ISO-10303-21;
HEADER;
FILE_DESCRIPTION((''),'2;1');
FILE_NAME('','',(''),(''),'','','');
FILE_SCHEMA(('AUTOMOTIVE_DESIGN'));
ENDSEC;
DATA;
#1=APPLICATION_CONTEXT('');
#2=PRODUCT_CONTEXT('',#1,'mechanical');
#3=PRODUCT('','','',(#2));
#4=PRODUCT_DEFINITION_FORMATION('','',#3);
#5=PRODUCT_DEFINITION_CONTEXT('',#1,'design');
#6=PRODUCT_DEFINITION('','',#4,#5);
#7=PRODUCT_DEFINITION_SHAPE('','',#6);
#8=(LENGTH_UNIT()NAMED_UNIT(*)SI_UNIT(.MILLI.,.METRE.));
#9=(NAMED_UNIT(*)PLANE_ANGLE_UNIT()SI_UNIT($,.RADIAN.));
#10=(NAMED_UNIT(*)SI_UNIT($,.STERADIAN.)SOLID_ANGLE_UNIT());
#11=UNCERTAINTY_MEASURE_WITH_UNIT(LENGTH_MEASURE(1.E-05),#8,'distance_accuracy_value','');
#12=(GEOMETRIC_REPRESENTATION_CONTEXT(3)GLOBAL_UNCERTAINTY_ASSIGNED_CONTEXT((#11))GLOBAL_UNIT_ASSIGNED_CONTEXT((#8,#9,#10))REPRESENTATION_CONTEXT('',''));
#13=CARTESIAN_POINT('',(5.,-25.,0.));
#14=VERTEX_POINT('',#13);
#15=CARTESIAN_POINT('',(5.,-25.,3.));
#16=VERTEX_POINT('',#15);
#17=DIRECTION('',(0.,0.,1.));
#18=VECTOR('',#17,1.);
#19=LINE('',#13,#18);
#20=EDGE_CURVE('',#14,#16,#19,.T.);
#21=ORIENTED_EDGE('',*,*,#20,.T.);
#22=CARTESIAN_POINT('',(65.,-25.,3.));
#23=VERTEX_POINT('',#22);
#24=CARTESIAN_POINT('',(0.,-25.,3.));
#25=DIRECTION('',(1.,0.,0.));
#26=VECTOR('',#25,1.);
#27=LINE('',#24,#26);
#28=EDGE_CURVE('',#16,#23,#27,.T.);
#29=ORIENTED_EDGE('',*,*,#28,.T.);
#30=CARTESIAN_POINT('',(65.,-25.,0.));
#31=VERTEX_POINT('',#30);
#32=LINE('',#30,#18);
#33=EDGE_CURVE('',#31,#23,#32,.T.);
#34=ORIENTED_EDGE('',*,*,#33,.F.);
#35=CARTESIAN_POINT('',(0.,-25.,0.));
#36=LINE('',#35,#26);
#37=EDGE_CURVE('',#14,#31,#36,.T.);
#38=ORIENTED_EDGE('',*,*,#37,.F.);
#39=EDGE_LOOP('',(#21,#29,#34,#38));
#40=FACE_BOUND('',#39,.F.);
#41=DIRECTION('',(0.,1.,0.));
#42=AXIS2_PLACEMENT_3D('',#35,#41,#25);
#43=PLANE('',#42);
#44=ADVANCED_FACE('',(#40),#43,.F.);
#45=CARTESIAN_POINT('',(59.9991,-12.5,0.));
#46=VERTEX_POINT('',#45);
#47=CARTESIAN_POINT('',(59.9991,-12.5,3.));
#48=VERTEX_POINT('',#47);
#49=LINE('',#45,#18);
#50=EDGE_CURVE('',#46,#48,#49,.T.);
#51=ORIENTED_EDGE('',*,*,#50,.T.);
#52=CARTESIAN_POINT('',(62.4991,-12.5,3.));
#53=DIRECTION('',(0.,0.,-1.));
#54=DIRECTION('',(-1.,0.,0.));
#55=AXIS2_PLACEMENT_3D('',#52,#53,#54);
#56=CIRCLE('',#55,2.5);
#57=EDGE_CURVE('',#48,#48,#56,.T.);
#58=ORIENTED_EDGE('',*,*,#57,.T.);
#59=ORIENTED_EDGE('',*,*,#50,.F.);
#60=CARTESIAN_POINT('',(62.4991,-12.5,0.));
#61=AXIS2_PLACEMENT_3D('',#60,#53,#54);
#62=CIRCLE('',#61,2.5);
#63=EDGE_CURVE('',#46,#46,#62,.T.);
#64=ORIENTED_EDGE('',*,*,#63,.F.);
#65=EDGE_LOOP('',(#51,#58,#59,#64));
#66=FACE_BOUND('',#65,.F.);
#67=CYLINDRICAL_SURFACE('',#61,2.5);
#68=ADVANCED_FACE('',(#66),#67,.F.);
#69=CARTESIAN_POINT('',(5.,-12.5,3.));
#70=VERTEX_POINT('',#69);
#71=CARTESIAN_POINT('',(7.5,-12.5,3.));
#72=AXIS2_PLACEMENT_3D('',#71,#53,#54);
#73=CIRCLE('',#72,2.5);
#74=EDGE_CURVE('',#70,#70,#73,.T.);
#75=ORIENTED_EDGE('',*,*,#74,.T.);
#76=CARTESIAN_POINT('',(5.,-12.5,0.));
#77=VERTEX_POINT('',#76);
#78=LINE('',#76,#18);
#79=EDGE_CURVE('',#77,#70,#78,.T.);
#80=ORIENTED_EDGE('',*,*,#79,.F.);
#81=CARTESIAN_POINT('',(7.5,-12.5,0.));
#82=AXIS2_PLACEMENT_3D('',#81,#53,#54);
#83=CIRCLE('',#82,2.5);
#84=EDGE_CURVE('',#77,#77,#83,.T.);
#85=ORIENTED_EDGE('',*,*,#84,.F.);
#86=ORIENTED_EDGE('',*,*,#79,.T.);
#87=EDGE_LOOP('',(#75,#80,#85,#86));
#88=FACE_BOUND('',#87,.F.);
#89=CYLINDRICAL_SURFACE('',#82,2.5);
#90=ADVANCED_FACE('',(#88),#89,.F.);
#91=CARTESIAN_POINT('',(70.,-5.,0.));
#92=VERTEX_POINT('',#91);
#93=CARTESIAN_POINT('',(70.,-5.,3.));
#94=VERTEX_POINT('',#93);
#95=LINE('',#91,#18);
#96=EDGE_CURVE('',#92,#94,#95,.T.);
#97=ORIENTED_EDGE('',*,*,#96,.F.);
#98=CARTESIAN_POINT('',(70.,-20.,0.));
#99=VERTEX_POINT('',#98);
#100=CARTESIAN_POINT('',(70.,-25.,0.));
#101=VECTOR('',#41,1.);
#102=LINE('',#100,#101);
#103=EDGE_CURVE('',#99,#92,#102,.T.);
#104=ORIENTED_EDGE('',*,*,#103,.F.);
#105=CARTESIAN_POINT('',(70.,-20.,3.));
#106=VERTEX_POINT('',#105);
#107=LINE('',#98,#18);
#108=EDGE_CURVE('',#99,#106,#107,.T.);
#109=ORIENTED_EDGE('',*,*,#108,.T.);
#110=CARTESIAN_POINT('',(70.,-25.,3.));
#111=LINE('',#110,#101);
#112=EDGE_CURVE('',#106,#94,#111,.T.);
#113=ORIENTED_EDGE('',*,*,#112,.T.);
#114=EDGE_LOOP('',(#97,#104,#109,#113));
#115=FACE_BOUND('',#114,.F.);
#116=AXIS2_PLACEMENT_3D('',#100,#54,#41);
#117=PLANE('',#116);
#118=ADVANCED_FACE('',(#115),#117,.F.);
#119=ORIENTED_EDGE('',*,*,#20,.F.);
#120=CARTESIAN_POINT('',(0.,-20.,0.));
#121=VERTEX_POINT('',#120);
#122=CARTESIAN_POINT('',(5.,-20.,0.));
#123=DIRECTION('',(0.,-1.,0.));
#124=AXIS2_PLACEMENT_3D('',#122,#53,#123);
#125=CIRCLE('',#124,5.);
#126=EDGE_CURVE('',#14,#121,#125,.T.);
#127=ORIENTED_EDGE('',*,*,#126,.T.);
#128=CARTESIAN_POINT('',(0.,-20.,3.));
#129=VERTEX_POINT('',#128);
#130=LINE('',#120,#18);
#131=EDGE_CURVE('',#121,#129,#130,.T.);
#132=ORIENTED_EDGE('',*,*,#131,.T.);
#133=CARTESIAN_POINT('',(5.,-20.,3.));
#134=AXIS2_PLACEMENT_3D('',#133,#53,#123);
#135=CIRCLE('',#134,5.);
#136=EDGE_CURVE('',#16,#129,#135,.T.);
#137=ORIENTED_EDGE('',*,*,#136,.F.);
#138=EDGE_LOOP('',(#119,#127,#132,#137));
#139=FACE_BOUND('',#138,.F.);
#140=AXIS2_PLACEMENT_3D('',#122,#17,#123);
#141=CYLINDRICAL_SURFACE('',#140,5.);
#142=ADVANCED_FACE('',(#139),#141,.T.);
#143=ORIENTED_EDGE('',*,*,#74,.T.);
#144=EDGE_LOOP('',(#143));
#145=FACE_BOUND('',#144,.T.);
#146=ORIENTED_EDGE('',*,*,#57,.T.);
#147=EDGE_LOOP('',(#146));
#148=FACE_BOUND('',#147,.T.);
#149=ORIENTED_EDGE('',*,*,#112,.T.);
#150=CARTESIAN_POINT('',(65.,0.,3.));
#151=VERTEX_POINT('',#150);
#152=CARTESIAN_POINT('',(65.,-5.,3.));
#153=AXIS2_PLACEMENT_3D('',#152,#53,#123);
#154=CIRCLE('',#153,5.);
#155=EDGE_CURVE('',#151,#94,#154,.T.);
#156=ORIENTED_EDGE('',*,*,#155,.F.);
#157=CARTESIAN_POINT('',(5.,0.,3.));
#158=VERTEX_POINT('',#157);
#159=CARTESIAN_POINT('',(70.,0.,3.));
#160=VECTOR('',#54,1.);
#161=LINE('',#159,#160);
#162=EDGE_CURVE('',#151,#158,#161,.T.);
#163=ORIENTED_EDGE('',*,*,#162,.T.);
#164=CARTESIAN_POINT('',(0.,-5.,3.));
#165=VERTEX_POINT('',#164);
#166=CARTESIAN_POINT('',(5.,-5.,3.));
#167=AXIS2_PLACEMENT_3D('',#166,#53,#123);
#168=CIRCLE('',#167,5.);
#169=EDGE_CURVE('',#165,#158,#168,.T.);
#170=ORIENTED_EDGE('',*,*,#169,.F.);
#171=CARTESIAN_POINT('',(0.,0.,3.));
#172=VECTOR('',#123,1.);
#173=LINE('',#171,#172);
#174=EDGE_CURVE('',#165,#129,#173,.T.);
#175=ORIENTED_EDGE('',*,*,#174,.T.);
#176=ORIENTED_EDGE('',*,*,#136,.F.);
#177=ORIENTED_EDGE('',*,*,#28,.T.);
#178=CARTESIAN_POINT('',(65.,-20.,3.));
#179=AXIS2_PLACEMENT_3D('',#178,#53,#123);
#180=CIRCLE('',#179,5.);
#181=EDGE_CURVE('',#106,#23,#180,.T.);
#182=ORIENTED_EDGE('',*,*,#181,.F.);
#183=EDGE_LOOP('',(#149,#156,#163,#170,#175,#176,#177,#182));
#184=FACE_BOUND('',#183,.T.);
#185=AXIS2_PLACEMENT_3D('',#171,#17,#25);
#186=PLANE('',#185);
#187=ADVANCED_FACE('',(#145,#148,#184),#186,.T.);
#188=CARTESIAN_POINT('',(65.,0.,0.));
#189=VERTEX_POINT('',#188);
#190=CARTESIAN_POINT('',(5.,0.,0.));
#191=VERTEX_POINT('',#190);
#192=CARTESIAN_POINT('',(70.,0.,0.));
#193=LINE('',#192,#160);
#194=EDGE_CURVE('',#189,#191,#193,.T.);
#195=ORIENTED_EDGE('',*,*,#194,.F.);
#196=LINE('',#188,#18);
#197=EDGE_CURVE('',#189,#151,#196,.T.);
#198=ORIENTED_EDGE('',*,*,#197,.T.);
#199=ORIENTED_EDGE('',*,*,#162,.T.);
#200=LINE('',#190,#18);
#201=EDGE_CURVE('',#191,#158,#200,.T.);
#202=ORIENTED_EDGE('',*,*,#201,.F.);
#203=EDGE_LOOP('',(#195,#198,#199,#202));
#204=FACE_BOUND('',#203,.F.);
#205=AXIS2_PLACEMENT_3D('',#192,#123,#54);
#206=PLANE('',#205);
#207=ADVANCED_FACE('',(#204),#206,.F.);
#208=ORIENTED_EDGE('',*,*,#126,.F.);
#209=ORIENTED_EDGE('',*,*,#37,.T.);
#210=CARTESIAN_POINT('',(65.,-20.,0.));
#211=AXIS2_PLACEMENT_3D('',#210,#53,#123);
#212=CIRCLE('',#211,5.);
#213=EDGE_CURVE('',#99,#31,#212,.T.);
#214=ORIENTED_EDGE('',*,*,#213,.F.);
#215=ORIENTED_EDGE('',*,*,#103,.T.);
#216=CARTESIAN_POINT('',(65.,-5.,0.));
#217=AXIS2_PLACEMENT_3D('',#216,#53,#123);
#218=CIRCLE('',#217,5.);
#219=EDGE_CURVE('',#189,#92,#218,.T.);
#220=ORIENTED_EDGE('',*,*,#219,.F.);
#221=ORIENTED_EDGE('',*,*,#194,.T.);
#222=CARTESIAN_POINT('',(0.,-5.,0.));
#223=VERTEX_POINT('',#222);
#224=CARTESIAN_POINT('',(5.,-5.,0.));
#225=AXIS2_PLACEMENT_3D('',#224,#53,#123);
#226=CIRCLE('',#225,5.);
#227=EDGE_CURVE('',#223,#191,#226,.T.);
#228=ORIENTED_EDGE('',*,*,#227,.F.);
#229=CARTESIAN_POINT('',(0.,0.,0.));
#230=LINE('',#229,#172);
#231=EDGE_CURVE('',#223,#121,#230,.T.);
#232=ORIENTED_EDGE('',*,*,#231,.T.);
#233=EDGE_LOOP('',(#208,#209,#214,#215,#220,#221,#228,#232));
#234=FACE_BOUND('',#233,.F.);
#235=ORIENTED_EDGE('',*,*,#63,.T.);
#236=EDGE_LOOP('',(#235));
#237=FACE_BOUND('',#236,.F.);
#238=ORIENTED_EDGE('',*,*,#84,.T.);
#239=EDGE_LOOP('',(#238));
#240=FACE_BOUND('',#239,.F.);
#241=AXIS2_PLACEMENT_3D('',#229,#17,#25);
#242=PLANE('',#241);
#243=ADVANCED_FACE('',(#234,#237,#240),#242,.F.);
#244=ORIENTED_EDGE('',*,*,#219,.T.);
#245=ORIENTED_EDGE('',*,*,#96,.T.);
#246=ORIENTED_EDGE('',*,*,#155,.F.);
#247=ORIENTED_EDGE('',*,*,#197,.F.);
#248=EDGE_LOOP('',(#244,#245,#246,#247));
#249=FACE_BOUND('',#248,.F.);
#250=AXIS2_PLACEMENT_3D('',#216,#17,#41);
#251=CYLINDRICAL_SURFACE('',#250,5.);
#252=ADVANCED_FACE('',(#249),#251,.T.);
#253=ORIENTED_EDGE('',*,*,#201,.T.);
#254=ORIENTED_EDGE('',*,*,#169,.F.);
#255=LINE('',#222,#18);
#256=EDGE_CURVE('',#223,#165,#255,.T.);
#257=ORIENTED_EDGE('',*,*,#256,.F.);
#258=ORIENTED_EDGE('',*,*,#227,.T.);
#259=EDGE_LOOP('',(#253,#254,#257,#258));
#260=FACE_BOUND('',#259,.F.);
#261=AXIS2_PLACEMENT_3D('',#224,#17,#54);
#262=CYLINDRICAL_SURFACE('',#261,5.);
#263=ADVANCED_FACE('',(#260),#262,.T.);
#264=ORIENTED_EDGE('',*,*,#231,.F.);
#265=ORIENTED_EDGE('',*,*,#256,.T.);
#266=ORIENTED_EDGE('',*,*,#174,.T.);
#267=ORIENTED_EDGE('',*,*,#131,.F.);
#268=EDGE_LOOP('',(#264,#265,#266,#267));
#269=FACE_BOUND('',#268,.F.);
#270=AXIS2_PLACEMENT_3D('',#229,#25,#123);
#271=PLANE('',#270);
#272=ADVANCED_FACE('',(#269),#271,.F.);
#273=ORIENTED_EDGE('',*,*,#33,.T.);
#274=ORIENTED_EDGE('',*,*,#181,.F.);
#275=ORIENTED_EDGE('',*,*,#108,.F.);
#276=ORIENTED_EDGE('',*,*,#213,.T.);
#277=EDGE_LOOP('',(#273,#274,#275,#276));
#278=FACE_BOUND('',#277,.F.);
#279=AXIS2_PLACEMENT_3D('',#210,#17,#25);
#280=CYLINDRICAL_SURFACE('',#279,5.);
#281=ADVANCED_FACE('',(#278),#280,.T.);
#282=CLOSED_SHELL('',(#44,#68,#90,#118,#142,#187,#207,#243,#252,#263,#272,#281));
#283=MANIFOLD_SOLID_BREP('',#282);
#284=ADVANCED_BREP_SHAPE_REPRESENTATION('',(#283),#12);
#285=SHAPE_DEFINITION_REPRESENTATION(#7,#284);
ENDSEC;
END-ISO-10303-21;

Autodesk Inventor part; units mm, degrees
ref_plane "YZ Plane" through (0, 0, 0) normal (1, 0, 0) x (0, 1, 0)
ref_plane "XZ Plane" through (0, 0, 0) normal (0, 1, 0) x (-1, 0, 0)
ref_plane "XY Plane" through (0, 0, 0) normal (0, 0, 1) x (1, 0, 0)
sketch "Sketch1" plane through (0, 0, 0) normal (0, 0, 1) x (1, 0, 0)
  line L0 (0, 0) -> (0, -25)
  line L1 (0, -25) -> (70, -25)
  line L2 (70, -25) -> (70, 0)
  line L3 (70, 0) -> (0, 0)
  dimension "d0" = 25
  dimension "d1" = 70
extrude "Extrusion1" add sketch "Sketch1" along normal blind 3
fillet "Fillet1" radius 5 1 edges at (70, 0, 1.5)
fillet "Fillet2" radius 5 1 edges at (70, -25, 1.5)
fillet "Fillet3" radius 5 1 edges at (0, -25, 1.5)
fillet "Fillet4" radius 5 1 edges at (0, 0, 1.5)
sketch "Sketch2" plane through (0, 0, 0) normal (0, 0, -1) x (-1, 0, 0)
  circle A0 centre (-62.4991, -12.5) radius 2.5
  circle A1 centre (-7.5, -12.5) radius 2.5
  point P0 (0, 0)
extrude "Extrusion2" cut sketch "Sketch2" against normal through all
properties part number "new connect acr" material "Glass"
